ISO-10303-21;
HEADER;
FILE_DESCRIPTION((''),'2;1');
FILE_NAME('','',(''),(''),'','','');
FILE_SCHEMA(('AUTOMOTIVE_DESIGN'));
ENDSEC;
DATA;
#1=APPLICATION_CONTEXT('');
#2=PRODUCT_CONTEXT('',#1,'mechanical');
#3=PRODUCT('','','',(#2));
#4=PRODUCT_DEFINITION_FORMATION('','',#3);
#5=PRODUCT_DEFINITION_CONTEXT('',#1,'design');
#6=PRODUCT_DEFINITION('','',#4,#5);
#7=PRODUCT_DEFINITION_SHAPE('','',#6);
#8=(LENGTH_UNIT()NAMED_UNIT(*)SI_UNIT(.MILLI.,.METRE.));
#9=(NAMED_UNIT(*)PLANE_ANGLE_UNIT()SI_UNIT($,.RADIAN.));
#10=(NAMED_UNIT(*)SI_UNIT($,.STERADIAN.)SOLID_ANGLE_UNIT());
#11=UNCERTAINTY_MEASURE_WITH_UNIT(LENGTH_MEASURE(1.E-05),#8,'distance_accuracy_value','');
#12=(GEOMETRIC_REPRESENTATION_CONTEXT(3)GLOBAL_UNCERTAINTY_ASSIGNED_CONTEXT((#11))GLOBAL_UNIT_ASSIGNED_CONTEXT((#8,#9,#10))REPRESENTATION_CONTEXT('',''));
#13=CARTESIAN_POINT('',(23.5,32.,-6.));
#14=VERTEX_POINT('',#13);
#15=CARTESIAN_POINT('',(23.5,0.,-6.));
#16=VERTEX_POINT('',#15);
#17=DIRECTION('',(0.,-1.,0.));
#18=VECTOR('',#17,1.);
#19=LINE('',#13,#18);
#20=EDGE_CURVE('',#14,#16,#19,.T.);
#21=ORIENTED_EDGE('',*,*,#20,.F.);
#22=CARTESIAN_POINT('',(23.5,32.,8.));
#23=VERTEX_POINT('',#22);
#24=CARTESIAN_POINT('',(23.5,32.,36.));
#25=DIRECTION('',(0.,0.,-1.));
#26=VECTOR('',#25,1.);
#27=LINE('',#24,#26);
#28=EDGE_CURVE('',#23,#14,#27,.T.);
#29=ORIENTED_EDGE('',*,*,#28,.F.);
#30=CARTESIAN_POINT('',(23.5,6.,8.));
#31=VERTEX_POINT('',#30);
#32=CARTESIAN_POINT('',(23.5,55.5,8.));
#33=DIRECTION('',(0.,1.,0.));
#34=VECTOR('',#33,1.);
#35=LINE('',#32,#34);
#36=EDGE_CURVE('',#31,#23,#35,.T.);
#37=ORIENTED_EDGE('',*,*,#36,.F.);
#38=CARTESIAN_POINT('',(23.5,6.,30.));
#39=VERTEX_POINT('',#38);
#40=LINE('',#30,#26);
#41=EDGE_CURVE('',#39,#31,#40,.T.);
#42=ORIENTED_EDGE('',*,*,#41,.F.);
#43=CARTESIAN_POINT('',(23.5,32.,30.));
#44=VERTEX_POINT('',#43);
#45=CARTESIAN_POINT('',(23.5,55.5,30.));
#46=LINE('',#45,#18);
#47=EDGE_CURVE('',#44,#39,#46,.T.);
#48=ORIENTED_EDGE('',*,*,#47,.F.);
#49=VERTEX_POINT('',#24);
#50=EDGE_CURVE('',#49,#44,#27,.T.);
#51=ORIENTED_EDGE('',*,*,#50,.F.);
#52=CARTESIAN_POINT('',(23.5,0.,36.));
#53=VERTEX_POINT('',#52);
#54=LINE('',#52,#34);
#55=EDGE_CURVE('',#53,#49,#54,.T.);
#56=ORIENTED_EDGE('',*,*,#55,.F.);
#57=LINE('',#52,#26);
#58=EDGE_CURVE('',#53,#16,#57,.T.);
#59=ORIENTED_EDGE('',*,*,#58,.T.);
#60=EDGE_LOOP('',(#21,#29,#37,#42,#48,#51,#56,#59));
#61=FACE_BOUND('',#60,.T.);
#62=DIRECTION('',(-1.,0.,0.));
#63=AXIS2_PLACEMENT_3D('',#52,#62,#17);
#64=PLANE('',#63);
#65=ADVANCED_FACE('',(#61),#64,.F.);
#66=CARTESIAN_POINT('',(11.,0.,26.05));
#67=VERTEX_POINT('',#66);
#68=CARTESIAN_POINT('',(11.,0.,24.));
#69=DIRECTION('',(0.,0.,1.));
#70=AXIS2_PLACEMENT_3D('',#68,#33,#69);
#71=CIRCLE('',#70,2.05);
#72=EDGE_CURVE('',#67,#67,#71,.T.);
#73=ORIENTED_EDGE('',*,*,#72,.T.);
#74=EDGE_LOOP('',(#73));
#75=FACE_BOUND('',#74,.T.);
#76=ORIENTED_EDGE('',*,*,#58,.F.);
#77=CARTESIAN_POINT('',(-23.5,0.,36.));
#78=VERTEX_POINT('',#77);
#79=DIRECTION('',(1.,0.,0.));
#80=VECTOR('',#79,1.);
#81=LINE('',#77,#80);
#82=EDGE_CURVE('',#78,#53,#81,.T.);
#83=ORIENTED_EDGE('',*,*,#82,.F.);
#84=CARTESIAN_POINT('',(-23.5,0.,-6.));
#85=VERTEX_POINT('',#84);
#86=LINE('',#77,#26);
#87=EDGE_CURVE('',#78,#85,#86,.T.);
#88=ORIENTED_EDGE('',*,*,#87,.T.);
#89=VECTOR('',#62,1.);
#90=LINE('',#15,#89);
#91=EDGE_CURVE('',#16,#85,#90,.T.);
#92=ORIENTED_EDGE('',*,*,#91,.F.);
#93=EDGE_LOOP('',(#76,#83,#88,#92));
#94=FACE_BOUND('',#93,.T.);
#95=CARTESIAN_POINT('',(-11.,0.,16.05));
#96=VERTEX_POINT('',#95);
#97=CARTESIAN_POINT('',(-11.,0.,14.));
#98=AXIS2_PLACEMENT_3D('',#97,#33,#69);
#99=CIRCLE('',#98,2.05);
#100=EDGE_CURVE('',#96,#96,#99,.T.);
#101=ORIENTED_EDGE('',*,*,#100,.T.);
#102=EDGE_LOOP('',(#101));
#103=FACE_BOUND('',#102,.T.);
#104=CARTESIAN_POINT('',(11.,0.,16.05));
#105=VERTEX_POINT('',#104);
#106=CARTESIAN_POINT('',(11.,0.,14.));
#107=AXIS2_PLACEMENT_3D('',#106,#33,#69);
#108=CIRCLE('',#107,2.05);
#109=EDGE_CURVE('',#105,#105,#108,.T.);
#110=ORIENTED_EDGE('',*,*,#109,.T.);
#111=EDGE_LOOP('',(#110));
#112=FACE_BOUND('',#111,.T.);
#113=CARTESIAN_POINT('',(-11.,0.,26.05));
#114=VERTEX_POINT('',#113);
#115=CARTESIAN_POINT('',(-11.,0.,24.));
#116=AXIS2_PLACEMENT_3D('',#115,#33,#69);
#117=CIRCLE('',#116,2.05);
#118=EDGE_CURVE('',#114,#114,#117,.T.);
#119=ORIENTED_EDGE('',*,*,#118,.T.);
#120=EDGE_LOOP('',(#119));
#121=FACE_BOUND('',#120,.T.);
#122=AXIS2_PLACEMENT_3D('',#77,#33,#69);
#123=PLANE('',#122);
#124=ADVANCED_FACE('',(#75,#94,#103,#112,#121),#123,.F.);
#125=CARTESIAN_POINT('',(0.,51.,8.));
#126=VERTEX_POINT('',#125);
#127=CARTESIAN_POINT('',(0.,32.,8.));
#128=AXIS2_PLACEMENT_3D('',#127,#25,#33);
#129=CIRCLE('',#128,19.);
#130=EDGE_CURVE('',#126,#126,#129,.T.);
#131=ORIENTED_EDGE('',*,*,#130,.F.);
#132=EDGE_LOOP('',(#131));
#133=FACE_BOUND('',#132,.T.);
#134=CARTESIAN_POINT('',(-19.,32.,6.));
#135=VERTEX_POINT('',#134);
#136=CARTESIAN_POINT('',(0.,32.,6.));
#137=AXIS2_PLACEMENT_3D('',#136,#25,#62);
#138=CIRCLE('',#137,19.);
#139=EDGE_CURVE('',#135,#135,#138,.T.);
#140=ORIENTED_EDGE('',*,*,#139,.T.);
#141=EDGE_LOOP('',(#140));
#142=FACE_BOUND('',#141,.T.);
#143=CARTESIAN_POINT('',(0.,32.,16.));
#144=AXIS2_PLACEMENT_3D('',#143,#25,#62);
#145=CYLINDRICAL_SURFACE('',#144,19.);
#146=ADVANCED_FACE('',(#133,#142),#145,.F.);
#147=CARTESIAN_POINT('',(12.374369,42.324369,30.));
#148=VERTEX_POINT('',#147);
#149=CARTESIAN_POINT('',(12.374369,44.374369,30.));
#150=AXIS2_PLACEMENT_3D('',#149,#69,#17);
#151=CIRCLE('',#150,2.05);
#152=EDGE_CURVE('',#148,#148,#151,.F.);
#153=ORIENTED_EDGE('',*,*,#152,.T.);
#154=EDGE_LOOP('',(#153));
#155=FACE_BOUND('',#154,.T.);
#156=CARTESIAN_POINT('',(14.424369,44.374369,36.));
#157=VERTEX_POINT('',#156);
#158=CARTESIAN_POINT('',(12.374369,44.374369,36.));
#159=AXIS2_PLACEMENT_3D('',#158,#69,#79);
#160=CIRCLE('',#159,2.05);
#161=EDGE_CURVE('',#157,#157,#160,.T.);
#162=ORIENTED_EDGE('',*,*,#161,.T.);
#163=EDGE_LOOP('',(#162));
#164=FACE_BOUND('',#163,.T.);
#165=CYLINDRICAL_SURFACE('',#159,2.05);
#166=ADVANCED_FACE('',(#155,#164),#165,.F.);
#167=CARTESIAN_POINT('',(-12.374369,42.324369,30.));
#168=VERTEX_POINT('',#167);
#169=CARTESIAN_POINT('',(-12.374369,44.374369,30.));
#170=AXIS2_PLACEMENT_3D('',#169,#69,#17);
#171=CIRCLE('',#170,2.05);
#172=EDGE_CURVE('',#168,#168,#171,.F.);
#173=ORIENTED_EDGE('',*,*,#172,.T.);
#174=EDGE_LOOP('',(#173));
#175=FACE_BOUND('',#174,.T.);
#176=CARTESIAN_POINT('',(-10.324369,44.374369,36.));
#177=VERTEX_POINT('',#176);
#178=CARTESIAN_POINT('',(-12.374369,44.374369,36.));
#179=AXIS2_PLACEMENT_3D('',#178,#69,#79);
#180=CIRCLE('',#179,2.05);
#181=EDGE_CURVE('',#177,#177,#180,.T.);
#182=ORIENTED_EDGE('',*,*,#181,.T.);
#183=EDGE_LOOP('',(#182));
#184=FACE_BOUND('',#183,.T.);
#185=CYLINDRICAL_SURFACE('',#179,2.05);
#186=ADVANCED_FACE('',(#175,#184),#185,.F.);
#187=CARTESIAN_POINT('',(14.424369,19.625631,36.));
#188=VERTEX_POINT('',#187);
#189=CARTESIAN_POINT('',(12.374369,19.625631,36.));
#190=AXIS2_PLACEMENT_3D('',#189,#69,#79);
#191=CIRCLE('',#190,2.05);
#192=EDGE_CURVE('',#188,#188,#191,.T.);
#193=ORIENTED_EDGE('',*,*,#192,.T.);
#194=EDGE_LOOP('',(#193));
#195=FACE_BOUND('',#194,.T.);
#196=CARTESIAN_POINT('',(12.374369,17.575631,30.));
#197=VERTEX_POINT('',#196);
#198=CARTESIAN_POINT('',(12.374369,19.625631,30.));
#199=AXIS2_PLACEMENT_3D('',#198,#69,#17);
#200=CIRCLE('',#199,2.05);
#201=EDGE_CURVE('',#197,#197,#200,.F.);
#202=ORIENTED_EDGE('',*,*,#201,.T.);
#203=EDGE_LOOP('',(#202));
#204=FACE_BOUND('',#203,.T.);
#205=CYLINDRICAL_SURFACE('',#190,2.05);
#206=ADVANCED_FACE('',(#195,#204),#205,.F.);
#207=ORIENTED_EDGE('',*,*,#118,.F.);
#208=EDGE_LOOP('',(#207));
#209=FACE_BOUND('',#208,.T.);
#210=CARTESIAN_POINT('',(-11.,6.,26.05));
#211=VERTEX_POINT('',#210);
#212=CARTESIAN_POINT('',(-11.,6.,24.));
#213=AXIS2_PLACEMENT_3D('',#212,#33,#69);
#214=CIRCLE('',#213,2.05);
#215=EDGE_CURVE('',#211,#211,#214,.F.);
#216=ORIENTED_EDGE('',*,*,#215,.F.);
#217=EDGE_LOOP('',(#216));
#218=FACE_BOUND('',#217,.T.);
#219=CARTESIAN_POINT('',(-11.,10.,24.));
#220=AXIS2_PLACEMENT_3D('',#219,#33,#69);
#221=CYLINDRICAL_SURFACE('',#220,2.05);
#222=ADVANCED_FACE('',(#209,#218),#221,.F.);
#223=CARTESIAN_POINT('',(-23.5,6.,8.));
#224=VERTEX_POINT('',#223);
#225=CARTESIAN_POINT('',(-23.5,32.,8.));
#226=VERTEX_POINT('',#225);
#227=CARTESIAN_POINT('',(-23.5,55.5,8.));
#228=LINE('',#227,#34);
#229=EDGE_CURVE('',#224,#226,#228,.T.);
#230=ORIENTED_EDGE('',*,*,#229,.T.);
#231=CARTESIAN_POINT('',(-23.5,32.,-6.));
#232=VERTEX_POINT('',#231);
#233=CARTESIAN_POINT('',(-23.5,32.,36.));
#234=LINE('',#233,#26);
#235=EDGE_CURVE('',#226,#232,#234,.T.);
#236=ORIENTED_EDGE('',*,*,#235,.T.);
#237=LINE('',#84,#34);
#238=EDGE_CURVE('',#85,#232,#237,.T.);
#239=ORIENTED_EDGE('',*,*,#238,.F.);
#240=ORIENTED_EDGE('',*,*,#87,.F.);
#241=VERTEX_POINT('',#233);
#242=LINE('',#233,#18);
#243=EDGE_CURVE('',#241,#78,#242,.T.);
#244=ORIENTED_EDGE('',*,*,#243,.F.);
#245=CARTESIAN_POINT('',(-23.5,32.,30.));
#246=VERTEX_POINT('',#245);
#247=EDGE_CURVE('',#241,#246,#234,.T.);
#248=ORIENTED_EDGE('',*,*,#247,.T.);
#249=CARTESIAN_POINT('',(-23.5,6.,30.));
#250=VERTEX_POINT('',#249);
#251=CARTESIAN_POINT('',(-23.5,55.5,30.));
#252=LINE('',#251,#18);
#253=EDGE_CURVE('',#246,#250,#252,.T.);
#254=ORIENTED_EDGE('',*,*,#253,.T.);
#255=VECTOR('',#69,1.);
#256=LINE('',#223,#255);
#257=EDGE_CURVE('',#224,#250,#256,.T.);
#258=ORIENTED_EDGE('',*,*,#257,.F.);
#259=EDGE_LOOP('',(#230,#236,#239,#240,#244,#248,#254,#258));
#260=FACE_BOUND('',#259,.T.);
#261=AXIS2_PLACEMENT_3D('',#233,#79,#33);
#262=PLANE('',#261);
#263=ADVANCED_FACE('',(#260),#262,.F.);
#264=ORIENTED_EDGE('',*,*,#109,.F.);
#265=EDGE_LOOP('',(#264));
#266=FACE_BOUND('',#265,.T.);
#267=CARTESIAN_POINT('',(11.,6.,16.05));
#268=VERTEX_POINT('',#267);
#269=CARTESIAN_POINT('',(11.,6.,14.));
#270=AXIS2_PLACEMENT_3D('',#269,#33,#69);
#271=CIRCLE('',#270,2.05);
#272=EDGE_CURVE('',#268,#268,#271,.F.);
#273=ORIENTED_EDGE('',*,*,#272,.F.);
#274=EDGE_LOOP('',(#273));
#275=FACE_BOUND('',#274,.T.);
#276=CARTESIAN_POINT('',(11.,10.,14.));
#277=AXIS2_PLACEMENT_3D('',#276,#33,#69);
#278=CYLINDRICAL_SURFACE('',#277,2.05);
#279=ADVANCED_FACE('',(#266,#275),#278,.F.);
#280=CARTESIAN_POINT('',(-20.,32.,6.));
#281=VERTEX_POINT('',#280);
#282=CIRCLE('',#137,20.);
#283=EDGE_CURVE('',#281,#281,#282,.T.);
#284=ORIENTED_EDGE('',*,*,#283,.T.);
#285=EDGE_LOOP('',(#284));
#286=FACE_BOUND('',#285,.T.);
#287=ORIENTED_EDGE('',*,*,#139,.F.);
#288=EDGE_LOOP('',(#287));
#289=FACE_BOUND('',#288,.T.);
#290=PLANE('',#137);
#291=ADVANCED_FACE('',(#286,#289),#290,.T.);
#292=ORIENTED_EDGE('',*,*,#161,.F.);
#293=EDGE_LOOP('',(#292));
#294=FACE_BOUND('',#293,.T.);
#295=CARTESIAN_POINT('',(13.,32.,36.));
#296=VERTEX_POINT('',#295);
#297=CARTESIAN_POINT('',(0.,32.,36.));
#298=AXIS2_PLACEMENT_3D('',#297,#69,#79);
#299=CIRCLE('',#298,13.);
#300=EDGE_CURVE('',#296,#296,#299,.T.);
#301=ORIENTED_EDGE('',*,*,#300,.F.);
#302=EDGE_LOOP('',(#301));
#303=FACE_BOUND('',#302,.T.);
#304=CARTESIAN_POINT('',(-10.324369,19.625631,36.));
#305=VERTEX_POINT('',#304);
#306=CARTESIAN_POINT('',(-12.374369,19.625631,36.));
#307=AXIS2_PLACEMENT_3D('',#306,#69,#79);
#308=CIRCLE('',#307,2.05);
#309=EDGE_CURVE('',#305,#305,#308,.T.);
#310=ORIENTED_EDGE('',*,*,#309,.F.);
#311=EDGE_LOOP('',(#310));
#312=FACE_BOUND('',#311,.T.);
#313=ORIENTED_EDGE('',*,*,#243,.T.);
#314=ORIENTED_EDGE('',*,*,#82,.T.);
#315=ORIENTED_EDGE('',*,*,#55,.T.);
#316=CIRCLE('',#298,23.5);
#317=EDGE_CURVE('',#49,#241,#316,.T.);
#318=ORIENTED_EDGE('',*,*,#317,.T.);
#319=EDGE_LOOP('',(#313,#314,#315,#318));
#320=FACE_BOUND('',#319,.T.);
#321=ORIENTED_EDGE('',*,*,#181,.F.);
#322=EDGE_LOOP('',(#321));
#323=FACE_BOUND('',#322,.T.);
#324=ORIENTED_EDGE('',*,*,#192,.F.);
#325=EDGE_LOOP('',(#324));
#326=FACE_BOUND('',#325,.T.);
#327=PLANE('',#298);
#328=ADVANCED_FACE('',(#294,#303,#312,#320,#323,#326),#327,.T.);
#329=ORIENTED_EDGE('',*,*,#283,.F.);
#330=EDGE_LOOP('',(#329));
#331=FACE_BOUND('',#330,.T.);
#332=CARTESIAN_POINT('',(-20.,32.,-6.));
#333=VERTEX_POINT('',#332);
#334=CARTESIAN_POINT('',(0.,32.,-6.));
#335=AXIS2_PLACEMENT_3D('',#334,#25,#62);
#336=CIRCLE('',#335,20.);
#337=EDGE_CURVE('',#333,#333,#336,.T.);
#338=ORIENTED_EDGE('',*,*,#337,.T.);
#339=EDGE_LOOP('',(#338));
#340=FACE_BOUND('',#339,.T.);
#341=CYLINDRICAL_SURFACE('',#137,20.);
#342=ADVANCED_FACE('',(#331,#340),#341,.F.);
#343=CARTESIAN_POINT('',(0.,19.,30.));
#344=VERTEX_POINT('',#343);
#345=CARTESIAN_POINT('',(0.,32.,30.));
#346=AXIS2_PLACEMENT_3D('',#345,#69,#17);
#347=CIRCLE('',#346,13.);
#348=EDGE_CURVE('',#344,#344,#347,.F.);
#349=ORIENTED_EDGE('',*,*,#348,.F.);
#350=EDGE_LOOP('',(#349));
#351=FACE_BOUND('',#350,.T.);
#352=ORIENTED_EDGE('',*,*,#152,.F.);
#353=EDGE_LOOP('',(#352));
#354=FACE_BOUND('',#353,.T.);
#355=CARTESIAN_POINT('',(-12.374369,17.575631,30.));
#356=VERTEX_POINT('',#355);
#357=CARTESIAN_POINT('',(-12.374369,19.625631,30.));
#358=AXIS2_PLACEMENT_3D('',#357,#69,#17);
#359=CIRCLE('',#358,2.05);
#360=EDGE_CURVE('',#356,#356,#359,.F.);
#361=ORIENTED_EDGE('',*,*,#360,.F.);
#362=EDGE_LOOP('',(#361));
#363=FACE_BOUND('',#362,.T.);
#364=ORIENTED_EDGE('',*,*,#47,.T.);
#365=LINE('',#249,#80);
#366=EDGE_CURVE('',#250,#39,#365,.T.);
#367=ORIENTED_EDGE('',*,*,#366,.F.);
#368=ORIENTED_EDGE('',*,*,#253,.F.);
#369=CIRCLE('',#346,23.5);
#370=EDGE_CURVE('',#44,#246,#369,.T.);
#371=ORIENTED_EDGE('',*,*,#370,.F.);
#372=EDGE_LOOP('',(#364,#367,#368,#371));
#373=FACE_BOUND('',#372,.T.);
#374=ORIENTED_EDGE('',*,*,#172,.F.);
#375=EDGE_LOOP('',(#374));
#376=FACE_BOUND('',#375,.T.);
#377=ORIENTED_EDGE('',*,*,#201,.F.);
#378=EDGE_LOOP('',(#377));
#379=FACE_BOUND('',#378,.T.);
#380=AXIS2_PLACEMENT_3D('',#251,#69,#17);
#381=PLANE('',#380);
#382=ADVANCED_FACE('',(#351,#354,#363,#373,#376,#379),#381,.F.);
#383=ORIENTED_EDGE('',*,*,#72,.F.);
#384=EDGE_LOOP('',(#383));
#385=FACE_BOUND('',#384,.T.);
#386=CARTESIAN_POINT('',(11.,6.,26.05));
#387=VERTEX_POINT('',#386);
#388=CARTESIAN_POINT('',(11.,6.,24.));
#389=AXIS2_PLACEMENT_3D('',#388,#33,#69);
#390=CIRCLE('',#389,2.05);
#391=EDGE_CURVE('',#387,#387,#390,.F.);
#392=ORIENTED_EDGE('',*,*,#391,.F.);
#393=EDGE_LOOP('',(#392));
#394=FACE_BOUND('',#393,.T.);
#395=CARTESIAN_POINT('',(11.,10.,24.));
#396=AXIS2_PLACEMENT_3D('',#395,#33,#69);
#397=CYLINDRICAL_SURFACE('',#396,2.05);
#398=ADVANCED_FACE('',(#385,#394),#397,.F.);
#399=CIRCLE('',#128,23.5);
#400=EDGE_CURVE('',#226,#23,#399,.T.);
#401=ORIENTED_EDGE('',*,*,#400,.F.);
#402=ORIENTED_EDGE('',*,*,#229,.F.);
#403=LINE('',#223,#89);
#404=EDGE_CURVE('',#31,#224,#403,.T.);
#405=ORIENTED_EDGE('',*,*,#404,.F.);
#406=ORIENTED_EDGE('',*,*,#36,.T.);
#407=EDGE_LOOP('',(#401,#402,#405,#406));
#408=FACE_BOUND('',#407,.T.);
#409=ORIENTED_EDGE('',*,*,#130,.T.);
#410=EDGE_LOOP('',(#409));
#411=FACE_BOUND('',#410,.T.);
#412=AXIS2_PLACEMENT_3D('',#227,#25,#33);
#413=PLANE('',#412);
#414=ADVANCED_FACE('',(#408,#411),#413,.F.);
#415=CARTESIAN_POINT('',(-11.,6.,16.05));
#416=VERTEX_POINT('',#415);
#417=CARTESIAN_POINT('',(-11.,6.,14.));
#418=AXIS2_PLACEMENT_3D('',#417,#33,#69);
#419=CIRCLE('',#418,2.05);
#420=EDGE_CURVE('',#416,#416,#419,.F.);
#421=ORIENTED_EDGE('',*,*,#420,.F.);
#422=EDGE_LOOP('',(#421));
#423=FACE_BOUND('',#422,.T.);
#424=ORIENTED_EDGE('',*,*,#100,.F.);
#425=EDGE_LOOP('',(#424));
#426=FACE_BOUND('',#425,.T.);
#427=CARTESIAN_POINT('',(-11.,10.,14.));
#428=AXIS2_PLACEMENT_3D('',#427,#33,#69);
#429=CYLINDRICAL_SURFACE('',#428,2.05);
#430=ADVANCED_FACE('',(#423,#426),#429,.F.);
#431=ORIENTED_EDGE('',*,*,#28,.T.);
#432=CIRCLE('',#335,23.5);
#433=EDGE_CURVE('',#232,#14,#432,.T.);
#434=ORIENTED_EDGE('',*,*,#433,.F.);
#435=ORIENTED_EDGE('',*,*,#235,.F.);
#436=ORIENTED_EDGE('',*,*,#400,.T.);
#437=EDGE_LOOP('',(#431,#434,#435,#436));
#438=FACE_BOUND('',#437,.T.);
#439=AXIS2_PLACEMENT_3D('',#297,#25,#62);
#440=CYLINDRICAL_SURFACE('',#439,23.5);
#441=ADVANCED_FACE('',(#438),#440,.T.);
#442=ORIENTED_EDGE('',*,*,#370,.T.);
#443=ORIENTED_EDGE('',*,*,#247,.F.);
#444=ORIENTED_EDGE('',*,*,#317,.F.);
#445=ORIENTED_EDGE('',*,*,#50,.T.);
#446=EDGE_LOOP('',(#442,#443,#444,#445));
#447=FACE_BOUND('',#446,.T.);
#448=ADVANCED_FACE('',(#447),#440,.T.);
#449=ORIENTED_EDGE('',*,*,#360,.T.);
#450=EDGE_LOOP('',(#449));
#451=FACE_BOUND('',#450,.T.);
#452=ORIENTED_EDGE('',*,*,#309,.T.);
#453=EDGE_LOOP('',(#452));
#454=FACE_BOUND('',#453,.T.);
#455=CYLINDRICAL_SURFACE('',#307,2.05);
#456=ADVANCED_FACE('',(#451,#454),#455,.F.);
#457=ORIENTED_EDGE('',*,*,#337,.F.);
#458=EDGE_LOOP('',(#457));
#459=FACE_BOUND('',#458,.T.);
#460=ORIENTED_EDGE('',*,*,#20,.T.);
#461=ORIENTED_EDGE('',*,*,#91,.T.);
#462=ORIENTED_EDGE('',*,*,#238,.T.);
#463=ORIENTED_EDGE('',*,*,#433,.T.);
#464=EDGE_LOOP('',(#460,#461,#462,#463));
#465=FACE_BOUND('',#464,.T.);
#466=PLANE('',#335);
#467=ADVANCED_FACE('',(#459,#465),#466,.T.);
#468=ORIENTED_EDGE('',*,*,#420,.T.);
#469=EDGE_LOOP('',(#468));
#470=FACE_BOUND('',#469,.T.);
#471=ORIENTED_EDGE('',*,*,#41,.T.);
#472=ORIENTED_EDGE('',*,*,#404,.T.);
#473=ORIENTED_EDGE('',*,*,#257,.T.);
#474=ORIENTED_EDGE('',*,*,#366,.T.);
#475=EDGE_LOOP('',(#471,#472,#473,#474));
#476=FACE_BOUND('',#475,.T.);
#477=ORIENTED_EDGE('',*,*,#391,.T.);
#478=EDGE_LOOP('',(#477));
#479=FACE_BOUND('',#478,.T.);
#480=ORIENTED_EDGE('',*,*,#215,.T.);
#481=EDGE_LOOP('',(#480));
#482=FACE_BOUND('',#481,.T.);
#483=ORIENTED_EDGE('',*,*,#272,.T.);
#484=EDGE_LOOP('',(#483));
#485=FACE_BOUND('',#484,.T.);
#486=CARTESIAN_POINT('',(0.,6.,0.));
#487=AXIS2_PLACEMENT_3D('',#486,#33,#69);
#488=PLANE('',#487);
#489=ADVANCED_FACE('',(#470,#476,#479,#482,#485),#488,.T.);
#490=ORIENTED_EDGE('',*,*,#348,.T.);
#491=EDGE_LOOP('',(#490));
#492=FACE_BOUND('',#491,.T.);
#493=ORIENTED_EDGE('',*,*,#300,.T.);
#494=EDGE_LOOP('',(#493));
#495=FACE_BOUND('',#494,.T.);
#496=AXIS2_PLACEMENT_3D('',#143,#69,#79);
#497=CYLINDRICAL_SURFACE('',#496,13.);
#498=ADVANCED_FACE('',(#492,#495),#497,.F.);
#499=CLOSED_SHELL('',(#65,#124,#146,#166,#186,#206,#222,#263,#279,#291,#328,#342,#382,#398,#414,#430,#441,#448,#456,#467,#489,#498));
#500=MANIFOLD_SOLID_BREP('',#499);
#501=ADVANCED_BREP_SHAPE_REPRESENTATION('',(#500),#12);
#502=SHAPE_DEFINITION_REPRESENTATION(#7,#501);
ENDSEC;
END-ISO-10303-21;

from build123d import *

# Parameters (mm, degrees)
EXTRUDE_1_DEPTH        = 36
SKETCH_3_R             = 13
CUT_EXTRUDE_1_DEPTH    = 20
HOLE_WIZARD_M4_1_D     = 4.1
HOLE_WIZARD_M4_1_DEPTH = 20
HOLE_WIZARD_M4_1_TIP   = 1.231764269
SKETCH_17_W            = 22
SKETCH_17_H            = 45.5
CUT_EXTRUDE_4_DEPTH    = 82.149553295
HOLE_WIZARD_M4_2_D     = 4.1
HOLE_WIZARD_M4_2_DEPTH = 10.1
HOLE_WIZARD_M4_2_TIP   = 1.231764269
SKETCH_21_R            = 20
CUT_EXTRUDE_5_DEPTH    = 6
SKETCH_22_R            = 19
CUT_EXTRUDE_6_DEPTH    = 10
SKETCH_26_W            = 47
SKETCH_26_H            = 22
CUT_EXTRUDE_8_DEPTH    = 4
EXTRUDE_START          = 6
SKETCH_27_R            = 20
EXTRUDE_2_DEPTH        = 6


with BuildPart() as part:
    # 草图2 → 凸台-拉伸1 (new body)
    with BuildSketch(Plane.XY):
        with BuildLine():
            Line((-23.5, 32), (-23.5, 0))
            Line((-23.5, 0), (23.5, 0))
            Line((23.5, 0), (23.5, 32))
            ThreePointArc((23.5, 32), (0, 55.5), (-23.5, 32))
        make_face()
    extrude(amount=EXTRUDE_1_DEPTH)

    # 草图3 → 切除-拉伸1 (cut)
    with BuildSketch(Plane.XY.offset(36)):
        with Locations((0, 32)):
            Circle(SKETCH_3_R)
    extrude(amount=-CUT_EXTRUDE_1_DEPTH, mode=Mode.SUBTRACT)

    # M4 间隙孔1
    with Locations(Plane.XY.offset(36)):
        with Locations((12.374368671, 19.625631329), (-12.374368671, 44.374368671), (12.374368671, 44.374368671), (-12.374368671, 19.625631329)):
            Hole(HOLE_WIZARD_M4_1_D / 2, depth=HOLE_WIZARD_M4_1_DEPTH)
            with Locations((0, 0, -(HOLE_WIZARD_M4_1_DEPTH + HOLE_WIZARD_M4_1_TIP / 2))):  # 118° drill point
                Cone(0, HOLE_WIZARD_M4_1_D / 2, HOLE_WIZARD_M4_1_TIP, mode=Mode.SUBTRACT)

    # 草图17 → 切除-拉伸4 (cut, through all)
    with BuildSketch(Plane(origin=(23.5, 0, 0), x_dir=(0, 0, -1), z_dir=(1, 0, 0))):
        with Locations((-19, 32.75)):
            Rectangle(SKETCH_17_W, SKETCH_17_H)
    extrude(amount=-CUT_EXTRUDE_4_DEPTH, mode=Mode.SUBTRACT)

    # M4 间隙孔2
    with Locations(Plane(origin=(0, 10, 0), x_dir=(1, 0, 0), z_dir=(0, 1, 0))):
        with Locations((-11, -14), (11, -14), (11, -24), (-11, -24)):
            Hole(HOLE_WIZARD_M4_2_D / 2, depth=HOLE_WIZARD_M4_2_DEPTH)
            with Locations((0, 0, -(HOLE_WIZARD_M4_2_DEPTH + HOLE_WIZARD_M4_2_TIP / 2))):  # 118° drill point
                Cone(0, HOLE_WIZARD_M4_2_D / 2, HOLE_WIZARD_M4_2_TIP, mode=Mode.SUBTRACT)

    # 草图21 → 切除-拉伸5 (cut)
    with BuildSketch(Plane(origin=(0, 0, 0), x_dir=(-1, 0, 0), z_dir=(0, 0, -1))):
        with Locations((0, 32)):
            Circle(SKETCH_21_R)
    extrude(amount=-CUT_EXTRUDE_5_DEPTH, mode=Mode.SUBTRACT)

    # 草图22 → 切除-拉伸6 (cut)
    with BuildSketch(Plane(origin=(0, 0, 6), x_dir=(-1, 0, 0), z_dir=(0, 0, -1))):
        with Locations((0, 32)):
            Circle(SKETCH_22_R)
    extrude(amount=-CUT_EXTRUDE_6_DEPTH, mode=Mode.SUBTRACT)

    # 草图26 → 切除-拉伸8 (cut)
    with BuildSketch(Plane(origin=(0, 10, 0), x_dir=(1, 0, 0), z_dir=(0, 1, 0))):
        with Locations((0, -19)):
            Rectangle(SKETCH_26_W, SKETCH_26_H)
    extrude(amount=-CUT_EXTRUDE_8_DEPTH, mode=Mode.SUBTRACT)

    # 草图27 → 凸台-拉伸2 (add)
    with BuildSketch(Plane(origin=(0, 0, 0), x_dir=(-1, 0, 0), z_dir=(0, 0, -1)).offset(EXTRUDE_START)):
        with BuildLine():
            Line((-23.5, 32), (-23.5, 0))
            Line((-23.5, 0), (23.5, 0))
            Line((23.5, 0), (23.5, 32))
            ThreePointArc((23.5, 32), (0, 55.5), (-23.5, 32))
        make_face()
        with Locations((0, 32)):
            Circle(SKETCH_27_R, mode=Mode.SUBTRACT)
    extrude(amount=-EXTRUDE_2_DEPTH)


solid = part.part
